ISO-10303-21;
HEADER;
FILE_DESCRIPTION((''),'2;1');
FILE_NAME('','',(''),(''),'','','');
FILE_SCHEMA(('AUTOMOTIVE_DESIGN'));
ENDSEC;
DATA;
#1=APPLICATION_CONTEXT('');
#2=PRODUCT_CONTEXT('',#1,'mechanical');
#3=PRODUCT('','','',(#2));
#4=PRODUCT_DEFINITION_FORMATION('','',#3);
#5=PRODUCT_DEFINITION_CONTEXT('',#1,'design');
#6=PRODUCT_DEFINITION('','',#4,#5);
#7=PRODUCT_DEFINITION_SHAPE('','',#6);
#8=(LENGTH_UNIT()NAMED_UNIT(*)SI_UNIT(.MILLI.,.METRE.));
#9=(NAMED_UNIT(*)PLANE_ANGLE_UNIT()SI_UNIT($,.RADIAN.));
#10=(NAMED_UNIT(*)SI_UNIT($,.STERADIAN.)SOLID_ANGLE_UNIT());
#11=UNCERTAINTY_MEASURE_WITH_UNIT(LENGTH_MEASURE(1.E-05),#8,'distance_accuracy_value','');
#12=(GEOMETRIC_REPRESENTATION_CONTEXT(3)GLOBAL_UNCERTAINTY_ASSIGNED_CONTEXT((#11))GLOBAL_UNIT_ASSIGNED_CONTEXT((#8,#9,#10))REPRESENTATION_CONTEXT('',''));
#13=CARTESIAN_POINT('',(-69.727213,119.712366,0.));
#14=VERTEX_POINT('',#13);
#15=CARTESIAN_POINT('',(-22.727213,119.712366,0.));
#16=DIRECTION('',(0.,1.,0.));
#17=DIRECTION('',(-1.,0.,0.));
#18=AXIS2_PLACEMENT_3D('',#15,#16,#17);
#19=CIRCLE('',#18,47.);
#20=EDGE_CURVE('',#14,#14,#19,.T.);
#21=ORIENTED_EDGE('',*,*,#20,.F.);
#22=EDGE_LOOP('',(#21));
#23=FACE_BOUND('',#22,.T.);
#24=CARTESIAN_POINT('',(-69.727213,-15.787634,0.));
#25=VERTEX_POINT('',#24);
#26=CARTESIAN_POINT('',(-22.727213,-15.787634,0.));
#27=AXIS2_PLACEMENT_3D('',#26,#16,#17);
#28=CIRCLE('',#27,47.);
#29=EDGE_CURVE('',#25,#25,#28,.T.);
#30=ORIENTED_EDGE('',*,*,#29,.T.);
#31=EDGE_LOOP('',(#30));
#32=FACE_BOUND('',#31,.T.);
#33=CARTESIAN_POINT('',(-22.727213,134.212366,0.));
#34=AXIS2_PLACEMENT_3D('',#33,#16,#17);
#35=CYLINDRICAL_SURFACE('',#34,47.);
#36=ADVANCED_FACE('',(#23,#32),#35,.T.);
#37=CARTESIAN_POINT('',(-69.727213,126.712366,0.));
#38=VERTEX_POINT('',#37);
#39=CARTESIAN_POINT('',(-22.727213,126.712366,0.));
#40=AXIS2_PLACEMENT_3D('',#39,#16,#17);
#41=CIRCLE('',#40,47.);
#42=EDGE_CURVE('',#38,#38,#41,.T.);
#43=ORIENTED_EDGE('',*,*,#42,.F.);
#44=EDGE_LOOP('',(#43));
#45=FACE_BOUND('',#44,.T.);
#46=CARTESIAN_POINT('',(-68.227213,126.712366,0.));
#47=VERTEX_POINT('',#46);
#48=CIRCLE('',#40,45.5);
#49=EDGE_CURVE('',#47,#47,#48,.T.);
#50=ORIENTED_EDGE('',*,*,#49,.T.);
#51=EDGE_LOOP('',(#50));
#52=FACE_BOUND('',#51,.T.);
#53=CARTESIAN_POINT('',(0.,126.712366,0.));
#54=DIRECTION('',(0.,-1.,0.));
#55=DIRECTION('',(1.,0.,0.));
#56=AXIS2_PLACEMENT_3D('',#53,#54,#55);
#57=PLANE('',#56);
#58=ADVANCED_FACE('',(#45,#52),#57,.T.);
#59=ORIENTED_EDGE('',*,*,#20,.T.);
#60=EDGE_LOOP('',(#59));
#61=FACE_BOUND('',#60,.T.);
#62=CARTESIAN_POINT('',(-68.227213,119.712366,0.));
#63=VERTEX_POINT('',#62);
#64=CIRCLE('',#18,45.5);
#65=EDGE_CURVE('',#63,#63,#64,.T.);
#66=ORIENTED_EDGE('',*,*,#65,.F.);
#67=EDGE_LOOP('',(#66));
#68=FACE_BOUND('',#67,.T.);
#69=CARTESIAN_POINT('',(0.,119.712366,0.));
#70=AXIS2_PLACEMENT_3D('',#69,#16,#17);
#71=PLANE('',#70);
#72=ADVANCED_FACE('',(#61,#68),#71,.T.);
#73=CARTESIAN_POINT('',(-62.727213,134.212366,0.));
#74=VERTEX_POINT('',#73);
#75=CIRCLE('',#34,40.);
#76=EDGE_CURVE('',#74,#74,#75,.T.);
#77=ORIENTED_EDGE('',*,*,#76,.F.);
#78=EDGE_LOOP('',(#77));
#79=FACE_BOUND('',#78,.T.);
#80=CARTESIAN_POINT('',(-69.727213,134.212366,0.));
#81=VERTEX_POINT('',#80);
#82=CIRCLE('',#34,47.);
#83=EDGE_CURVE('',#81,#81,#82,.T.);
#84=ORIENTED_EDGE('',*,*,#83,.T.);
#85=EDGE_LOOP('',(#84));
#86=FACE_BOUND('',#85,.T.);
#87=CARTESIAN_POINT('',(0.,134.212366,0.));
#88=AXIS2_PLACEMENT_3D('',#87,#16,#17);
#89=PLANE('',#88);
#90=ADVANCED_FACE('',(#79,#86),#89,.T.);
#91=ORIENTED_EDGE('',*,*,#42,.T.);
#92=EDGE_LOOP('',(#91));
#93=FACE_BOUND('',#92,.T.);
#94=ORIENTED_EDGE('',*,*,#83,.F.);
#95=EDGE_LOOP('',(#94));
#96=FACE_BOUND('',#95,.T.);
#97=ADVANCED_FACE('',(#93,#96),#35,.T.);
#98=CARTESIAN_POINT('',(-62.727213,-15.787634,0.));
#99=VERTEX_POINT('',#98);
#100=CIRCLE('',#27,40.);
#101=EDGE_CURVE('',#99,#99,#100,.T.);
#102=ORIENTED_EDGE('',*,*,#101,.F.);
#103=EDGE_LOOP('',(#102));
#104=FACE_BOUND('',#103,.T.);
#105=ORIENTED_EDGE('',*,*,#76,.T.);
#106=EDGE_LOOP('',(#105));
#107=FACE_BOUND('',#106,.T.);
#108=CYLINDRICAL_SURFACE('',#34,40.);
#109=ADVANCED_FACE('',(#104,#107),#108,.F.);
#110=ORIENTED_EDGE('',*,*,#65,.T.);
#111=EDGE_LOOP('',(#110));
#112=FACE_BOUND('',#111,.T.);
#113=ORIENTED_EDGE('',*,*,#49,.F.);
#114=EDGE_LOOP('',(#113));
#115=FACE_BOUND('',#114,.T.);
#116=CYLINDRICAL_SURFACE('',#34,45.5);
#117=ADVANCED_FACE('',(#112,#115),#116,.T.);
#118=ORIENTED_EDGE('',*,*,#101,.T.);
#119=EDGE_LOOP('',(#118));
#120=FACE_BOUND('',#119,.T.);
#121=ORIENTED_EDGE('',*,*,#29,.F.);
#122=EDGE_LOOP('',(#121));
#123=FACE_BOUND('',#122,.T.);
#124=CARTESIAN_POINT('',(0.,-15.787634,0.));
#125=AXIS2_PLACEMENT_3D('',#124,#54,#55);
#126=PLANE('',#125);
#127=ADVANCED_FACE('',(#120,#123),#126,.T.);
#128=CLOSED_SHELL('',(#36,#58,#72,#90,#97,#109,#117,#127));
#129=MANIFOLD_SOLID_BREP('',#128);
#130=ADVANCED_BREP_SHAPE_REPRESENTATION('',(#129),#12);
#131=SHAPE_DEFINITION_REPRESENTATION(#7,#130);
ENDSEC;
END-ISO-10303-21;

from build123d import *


with BuildPart() as part:
    # Sketch1 → Revolve1 (revolve)
    with BuildSketch(Plane.XY, mode=Mode.PRIVATE) as revolve1_sk:
        Polygon((17.272787185, -15.787634183), (17.272787185, 134.212365817), (24.272787185, 134.212365817), (24.272787185, 126.712365817), (22.772787185, 126.712365817), (22.772787185, 119.712365817), (24.272787185, 119.712365817), (24.272787185, -15.787634183), align=None)
    revolve(revolve1_sk.sketch.rotate(Axis((-22.727212815, 134.212365817, 0), (0, -1, 0)), 180), axis=Axis((-22.727212815, 134.212365817, 0), (0, -1, 0)))


solid = part.part
